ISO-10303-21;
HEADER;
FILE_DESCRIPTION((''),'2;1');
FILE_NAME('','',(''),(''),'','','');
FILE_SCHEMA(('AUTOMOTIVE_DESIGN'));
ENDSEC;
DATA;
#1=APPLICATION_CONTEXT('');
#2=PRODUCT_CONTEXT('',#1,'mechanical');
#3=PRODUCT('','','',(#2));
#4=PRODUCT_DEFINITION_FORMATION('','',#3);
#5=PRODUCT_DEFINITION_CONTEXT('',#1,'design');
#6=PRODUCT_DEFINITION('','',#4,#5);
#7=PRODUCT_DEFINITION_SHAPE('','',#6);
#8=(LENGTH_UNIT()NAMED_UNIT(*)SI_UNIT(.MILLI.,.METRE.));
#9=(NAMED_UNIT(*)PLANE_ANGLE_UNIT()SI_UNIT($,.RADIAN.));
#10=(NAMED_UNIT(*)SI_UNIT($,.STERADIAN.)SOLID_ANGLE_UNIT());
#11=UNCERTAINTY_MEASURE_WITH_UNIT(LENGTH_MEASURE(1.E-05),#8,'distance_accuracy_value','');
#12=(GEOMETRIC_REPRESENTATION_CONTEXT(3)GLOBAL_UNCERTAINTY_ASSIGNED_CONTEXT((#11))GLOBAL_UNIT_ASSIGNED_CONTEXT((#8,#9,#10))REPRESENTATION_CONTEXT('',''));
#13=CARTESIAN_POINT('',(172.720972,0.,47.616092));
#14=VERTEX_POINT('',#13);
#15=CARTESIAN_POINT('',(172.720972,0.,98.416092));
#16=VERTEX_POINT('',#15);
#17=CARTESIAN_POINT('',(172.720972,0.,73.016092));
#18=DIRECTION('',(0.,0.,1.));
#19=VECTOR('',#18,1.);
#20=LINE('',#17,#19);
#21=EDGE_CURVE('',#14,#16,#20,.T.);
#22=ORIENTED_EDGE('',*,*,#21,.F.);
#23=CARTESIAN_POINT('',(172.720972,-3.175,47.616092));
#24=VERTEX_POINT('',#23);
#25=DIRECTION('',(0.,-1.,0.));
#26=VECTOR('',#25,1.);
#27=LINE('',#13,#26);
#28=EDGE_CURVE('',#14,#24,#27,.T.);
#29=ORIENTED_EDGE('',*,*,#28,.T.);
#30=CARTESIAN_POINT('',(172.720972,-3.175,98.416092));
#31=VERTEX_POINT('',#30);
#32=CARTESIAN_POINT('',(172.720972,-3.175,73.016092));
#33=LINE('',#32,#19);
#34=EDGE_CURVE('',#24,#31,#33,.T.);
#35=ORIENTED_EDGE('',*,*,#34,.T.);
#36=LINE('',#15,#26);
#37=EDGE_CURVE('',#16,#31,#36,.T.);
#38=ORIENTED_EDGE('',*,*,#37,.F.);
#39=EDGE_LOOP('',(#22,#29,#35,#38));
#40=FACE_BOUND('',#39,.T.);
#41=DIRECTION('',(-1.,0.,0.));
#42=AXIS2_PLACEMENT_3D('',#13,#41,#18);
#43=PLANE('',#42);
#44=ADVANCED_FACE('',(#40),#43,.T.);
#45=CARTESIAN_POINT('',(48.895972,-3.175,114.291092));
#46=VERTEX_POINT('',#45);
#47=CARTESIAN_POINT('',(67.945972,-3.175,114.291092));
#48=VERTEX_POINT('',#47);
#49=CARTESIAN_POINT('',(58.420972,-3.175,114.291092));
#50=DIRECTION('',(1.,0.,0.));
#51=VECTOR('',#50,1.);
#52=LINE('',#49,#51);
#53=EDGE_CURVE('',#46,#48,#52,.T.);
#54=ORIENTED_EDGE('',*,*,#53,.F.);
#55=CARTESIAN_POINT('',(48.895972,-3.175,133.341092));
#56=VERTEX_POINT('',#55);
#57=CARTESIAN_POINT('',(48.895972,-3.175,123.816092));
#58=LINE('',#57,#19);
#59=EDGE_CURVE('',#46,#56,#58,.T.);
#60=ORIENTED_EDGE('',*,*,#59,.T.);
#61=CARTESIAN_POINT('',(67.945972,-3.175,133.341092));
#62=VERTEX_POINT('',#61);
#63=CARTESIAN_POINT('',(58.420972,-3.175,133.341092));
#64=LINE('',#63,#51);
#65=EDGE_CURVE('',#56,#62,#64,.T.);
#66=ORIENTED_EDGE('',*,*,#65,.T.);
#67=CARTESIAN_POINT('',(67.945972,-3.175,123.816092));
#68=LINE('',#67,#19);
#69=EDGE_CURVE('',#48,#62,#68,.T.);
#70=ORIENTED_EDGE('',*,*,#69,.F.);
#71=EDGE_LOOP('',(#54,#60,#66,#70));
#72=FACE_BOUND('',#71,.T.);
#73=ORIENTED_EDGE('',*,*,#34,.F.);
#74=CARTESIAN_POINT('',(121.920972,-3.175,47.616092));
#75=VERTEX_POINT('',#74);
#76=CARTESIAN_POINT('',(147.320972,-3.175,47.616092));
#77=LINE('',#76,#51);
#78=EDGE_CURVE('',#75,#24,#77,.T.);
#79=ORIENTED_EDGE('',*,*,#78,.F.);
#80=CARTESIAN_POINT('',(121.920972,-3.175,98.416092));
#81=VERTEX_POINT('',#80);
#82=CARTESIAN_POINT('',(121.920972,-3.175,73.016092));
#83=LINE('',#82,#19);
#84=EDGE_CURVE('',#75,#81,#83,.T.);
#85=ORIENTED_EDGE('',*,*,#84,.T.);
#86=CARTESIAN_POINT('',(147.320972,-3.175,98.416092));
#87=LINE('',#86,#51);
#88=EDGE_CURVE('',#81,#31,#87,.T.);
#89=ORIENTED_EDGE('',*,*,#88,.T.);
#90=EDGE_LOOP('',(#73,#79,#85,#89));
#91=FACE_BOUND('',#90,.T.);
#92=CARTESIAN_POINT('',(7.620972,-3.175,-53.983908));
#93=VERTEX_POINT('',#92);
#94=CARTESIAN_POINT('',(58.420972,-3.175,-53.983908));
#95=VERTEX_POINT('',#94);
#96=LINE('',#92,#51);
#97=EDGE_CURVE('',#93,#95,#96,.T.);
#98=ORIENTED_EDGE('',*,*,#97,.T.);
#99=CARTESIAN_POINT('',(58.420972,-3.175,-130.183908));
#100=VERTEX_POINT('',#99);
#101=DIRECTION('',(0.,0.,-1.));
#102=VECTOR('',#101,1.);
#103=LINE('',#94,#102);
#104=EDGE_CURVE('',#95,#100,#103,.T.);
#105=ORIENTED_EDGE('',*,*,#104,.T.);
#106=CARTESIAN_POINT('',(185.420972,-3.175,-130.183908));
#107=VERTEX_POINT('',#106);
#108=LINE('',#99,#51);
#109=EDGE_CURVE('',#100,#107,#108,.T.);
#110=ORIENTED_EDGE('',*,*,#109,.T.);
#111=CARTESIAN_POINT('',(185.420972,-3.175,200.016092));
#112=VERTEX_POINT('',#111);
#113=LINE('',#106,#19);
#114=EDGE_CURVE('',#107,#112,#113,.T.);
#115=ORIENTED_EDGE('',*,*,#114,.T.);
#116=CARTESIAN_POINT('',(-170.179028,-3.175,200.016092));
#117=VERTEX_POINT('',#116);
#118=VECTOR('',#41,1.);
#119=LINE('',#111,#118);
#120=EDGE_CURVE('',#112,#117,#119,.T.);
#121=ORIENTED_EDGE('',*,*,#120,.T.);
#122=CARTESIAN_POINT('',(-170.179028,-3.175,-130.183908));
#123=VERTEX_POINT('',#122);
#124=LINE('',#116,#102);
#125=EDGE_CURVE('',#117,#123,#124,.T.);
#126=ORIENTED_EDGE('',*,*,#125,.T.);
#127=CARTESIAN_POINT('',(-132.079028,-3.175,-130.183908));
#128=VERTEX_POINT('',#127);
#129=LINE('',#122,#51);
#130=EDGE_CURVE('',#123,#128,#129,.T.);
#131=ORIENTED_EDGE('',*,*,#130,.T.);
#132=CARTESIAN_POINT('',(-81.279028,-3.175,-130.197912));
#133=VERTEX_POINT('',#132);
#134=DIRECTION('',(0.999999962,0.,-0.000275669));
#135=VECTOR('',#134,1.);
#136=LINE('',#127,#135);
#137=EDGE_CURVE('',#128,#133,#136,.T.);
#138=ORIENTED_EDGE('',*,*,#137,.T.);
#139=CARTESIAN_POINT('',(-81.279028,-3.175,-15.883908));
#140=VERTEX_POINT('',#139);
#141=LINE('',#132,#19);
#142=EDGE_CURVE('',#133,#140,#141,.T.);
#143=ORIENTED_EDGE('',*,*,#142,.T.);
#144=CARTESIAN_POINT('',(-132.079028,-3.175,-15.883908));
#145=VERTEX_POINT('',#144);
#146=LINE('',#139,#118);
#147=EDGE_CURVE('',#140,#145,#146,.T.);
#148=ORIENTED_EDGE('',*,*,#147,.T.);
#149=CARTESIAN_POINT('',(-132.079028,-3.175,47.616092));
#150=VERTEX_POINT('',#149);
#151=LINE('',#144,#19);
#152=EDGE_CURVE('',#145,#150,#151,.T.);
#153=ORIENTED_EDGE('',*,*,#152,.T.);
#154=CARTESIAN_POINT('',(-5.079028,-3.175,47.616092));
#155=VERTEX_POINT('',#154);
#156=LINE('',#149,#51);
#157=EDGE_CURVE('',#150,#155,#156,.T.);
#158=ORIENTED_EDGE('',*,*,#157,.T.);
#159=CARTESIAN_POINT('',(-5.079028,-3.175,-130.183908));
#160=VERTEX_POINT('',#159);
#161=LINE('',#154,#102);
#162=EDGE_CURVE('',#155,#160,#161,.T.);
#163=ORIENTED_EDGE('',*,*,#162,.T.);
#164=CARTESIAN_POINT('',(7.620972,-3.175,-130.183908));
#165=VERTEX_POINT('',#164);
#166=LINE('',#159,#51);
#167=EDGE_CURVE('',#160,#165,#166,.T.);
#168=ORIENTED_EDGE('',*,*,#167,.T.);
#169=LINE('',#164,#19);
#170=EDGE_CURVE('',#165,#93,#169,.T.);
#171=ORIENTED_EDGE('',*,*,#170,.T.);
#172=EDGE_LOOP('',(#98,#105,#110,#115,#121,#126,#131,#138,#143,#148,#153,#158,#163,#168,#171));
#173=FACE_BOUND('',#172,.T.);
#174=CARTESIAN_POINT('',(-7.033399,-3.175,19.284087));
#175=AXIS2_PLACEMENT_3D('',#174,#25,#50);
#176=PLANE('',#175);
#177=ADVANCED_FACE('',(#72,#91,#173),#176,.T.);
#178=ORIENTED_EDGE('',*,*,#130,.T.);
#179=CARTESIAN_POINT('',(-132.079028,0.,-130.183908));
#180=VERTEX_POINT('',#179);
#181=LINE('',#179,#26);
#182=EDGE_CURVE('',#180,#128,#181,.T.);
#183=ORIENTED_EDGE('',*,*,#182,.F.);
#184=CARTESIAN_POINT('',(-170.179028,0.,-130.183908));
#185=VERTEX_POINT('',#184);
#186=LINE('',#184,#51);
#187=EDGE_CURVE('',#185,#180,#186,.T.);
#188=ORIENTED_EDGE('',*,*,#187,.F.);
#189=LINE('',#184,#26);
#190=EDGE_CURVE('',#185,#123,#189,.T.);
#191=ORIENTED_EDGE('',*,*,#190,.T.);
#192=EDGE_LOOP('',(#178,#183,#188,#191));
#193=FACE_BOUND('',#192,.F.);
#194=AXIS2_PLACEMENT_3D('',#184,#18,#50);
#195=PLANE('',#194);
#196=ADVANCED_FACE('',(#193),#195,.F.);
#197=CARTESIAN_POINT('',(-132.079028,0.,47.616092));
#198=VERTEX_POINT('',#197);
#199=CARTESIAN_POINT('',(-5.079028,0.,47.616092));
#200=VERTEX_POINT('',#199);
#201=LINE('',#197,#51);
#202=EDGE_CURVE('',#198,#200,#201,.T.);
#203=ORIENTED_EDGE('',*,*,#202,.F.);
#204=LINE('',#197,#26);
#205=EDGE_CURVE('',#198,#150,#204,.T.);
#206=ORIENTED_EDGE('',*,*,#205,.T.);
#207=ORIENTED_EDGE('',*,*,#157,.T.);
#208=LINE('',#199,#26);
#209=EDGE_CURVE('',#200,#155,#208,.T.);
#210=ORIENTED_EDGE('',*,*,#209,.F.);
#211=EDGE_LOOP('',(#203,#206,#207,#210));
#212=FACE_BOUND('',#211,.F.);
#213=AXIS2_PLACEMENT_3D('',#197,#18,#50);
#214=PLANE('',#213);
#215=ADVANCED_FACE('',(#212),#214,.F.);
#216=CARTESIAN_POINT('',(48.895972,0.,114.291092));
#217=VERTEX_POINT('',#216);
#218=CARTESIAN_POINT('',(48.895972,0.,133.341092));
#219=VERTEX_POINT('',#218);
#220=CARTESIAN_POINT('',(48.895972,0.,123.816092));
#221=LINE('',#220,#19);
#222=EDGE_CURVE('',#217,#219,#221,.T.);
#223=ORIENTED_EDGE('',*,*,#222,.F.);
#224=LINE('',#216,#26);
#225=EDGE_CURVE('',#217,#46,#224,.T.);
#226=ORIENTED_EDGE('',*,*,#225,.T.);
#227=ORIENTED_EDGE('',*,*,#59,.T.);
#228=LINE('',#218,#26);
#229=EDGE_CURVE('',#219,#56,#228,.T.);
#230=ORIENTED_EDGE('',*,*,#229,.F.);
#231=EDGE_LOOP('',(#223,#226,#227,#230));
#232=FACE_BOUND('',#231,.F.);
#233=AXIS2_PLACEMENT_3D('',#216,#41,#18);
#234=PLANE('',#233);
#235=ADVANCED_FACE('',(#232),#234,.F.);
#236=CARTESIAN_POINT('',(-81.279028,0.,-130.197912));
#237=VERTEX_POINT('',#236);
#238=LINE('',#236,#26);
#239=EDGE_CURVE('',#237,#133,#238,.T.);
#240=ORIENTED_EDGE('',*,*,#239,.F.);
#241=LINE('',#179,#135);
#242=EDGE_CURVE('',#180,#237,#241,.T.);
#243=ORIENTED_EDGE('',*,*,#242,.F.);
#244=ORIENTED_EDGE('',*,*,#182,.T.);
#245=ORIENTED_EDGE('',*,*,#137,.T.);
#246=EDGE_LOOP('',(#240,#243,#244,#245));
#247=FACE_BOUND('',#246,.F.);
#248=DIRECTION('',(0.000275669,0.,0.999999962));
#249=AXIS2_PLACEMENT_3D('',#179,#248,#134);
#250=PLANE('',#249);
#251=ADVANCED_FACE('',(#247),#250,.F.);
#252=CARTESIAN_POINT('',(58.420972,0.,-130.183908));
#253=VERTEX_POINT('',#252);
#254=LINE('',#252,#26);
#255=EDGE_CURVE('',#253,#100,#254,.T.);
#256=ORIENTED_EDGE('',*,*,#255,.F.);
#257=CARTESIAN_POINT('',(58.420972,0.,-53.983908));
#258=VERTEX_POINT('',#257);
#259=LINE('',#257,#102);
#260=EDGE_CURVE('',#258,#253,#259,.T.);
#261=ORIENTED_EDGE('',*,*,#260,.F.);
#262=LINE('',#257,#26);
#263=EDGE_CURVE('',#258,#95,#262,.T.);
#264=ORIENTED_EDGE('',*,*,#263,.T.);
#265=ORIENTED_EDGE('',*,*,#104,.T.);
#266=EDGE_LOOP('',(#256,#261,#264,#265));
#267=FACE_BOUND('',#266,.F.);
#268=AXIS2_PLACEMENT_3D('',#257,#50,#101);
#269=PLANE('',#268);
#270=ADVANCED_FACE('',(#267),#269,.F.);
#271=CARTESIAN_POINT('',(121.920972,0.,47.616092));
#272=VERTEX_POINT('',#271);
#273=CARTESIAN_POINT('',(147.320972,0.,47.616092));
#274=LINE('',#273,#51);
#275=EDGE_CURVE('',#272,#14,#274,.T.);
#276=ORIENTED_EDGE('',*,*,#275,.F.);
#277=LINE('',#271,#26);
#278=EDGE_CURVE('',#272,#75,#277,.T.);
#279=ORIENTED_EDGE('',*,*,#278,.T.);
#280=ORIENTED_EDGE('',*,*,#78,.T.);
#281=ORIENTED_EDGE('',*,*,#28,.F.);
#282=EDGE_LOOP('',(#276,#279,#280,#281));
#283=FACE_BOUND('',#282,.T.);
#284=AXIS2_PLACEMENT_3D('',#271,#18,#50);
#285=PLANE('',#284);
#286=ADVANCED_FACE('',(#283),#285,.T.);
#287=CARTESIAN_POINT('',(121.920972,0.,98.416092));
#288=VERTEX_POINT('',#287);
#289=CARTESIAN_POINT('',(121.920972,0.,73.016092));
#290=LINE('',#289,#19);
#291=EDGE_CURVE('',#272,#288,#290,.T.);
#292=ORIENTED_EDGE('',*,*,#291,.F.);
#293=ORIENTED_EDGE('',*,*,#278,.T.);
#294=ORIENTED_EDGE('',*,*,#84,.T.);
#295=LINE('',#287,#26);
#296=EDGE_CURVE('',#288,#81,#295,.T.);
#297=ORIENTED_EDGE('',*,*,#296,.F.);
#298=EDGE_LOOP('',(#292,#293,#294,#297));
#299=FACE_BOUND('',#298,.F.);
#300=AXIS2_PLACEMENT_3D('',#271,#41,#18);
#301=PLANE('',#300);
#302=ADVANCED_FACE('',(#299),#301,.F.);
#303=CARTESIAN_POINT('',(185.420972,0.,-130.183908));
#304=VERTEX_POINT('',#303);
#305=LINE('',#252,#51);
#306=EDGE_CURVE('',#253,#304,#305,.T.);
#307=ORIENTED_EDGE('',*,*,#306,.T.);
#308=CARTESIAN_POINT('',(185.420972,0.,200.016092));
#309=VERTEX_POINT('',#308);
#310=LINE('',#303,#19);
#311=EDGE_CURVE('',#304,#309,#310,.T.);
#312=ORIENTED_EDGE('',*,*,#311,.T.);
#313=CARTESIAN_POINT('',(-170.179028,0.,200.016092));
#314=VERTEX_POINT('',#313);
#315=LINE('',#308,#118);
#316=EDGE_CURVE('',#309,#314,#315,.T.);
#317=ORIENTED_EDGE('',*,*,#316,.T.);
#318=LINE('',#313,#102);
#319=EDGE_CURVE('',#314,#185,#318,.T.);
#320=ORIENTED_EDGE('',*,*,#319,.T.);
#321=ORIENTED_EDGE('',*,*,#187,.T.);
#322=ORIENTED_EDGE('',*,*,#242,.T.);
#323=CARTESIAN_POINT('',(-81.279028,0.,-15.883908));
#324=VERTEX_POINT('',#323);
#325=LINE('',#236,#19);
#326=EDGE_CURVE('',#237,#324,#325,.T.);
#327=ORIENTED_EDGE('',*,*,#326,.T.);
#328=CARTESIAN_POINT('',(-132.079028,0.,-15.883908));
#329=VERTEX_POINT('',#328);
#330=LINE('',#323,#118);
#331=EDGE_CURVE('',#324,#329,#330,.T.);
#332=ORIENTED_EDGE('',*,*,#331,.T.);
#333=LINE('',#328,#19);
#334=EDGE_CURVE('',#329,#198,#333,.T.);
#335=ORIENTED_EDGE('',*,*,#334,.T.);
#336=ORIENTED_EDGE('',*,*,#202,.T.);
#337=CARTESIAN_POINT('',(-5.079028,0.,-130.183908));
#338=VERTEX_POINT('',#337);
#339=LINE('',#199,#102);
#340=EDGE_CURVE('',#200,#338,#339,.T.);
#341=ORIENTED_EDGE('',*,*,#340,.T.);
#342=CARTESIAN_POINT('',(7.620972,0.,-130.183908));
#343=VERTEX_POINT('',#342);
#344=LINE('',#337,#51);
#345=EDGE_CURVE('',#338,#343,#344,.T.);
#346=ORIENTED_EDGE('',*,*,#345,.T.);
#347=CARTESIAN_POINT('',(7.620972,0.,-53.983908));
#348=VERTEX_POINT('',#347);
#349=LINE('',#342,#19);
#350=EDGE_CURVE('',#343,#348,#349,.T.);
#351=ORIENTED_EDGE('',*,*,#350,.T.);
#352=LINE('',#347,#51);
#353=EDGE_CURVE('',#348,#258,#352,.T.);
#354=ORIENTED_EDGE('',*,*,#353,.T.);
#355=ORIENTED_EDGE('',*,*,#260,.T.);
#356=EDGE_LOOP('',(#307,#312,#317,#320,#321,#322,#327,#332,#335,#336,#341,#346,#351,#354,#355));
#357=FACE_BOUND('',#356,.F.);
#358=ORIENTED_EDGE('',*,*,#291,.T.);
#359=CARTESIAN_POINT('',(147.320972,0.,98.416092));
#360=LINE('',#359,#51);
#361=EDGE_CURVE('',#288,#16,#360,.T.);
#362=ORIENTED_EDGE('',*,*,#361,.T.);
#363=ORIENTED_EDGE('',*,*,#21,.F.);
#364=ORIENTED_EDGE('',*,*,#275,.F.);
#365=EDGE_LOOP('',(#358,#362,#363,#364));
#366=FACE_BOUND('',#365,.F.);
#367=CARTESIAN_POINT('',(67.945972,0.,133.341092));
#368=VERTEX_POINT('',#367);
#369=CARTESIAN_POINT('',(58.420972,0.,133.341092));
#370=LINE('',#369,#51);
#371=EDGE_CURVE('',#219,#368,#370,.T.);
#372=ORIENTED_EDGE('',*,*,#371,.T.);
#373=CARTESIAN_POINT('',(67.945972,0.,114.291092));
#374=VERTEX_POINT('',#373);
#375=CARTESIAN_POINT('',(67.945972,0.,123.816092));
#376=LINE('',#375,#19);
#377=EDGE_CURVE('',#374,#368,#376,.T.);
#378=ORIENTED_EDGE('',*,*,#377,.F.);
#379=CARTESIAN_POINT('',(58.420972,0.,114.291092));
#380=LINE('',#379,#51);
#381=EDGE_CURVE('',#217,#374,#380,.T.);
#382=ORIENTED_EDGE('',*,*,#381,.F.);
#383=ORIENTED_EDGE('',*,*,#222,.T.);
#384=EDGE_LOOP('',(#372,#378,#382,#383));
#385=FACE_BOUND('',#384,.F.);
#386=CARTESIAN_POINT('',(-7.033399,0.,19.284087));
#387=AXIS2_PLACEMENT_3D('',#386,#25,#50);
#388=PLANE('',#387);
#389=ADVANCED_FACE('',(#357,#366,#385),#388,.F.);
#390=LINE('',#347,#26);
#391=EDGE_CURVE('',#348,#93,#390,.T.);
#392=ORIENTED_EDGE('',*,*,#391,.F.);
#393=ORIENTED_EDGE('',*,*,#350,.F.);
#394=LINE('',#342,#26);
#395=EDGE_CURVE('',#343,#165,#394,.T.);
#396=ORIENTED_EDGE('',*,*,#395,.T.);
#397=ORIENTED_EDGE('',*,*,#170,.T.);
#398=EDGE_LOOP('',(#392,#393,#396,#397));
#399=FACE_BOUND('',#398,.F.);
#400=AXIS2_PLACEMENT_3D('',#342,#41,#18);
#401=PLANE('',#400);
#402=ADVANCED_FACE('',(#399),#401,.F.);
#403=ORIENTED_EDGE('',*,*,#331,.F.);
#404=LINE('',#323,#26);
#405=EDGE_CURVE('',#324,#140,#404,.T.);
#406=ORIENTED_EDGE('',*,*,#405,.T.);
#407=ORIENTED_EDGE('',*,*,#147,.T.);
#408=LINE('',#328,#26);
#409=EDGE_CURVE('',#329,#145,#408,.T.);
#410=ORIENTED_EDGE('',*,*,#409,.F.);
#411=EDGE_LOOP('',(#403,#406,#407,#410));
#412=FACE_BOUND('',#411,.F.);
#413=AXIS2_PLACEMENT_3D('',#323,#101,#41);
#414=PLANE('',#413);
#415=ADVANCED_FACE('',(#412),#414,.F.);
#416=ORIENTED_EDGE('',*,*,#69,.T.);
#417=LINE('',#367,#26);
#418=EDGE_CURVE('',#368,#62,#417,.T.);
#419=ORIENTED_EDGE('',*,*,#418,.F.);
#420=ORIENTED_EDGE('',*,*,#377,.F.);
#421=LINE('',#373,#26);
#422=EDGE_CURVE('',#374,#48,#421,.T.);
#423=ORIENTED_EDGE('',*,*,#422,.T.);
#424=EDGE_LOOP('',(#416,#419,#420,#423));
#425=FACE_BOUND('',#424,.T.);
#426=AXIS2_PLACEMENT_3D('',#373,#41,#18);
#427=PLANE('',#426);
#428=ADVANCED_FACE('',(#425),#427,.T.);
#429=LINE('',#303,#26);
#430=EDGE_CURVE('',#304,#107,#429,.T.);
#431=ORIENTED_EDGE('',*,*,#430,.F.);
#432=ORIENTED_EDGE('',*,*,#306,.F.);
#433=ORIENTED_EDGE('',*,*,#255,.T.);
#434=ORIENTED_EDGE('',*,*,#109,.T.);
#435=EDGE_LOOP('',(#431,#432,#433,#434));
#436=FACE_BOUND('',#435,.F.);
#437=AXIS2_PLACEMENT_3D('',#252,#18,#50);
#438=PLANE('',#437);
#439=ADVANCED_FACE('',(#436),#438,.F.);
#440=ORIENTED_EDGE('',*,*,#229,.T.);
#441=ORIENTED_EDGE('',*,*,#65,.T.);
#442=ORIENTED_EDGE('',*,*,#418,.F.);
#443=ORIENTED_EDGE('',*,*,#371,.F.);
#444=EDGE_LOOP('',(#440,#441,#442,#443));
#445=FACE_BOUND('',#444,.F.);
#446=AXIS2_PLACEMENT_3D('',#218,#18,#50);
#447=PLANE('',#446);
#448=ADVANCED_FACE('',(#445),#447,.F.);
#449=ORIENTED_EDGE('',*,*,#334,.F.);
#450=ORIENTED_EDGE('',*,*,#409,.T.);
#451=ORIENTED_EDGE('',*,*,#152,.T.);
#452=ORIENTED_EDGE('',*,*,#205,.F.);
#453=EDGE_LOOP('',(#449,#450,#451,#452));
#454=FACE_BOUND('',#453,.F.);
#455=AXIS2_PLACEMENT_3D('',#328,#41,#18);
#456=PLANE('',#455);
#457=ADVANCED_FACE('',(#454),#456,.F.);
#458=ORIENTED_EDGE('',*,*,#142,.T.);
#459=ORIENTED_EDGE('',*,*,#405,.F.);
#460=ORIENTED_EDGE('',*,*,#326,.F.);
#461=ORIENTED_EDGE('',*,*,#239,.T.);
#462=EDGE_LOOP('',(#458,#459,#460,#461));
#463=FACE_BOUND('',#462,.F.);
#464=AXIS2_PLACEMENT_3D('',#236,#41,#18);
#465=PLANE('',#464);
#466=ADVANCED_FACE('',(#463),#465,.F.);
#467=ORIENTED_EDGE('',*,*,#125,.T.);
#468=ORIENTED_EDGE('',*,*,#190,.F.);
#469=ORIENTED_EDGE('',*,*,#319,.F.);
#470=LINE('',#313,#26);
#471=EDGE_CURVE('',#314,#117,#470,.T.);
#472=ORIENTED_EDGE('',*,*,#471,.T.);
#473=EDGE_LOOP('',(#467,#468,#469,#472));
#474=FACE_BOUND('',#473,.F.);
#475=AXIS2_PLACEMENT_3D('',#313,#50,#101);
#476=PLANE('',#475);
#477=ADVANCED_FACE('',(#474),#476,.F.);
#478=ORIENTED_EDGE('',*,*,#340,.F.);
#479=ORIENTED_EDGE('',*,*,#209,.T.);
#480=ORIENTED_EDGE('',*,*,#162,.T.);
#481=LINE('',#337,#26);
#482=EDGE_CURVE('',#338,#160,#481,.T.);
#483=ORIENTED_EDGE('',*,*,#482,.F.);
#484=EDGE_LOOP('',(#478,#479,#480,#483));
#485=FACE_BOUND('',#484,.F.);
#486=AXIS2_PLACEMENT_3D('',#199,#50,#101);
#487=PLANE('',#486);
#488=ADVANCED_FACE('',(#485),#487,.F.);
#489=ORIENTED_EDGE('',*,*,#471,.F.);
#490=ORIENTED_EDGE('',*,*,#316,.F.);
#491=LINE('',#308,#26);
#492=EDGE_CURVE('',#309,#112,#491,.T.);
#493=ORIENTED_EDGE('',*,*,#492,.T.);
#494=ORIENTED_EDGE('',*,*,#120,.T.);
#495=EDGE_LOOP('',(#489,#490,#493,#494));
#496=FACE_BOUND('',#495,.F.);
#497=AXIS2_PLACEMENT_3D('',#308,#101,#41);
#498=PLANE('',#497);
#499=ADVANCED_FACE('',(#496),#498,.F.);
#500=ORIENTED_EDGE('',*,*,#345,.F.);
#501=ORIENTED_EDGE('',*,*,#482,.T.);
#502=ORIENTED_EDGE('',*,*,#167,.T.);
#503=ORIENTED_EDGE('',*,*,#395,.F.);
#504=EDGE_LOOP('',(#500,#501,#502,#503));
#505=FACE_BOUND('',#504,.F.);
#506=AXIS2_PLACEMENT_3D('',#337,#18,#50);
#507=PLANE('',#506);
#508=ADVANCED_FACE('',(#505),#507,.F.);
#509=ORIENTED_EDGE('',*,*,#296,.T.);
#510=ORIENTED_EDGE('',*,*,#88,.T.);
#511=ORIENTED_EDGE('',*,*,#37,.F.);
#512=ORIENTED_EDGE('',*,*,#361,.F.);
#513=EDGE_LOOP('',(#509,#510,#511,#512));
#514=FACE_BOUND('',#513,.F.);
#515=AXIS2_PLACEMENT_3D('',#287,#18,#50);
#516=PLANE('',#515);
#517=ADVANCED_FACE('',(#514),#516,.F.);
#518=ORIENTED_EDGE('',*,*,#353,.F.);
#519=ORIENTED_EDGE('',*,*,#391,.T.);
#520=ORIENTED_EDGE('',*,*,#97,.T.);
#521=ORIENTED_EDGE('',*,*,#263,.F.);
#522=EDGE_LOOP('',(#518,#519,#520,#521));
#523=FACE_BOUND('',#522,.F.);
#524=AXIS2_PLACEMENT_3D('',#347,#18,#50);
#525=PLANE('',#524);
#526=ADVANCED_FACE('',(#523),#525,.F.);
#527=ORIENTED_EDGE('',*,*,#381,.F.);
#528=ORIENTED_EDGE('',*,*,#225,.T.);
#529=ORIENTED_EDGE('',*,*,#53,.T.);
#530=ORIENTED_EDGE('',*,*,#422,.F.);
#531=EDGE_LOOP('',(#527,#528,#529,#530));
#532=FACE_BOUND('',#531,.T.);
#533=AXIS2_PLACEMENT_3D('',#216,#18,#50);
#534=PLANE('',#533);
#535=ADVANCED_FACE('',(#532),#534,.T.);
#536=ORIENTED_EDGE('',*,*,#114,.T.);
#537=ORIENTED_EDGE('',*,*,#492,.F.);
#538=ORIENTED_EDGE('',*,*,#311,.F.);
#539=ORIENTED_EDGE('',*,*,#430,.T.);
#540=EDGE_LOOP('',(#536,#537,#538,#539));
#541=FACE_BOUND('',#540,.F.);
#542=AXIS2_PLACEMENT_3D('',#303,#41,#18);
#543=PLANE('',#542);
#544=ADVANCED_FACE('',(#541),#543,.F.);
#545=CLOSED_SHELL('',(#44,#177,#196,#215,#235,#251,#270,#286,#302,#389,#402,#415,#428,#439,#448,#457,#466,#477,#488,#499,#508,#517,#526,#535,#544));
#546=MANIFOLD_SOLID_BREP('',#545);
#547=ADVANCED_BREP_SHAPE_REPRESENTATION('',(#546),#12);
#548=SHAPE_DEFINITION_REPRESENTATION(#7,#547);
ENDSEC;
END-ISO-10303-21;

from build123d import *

# Parameters (mm, degrees)
F0_W     = 50.8
F0_H     = 50.8
F0_W_2   = 19.05
F0_H_2   = 19.05
F1_DEPTH = 3.175


with BuildPart() as f1:
    # F0 (on Front) → F1 (new body)
    with BuildSketch(Plane.XZ):
        Polygon((185.420972, 200.016092), (-170.179028, 200.016092), (-170.179028, -130.183908), (-132.079028, -130.183908), (-81.279028, -130.197912), (-81.279028, -15.883908), (-132.079028, -15.883908), (-132.079028, 47.616092), (-5.079028, 47.616092), (-5.079028, -130.183908), (7.620972, -130.183908), (7.620972, -53.983908), (58.420972, -53.983908), (58.420972, -130.183908), (185.420972, -130.183908), (185.420972, 114.291092), align=None)
        with Locations((147.320972, 73.016092)):
            Rectangle(F0_W, F0_H, mode=Mode.SUBTRACT)
        with Locations((58.420972, 123.816092)):
            Rectangle(F0_W_2, F0_H_2, mode=Mode.SUBTRACT)
    extrude(amount=F1_DEPTH)


solid = f1.part
